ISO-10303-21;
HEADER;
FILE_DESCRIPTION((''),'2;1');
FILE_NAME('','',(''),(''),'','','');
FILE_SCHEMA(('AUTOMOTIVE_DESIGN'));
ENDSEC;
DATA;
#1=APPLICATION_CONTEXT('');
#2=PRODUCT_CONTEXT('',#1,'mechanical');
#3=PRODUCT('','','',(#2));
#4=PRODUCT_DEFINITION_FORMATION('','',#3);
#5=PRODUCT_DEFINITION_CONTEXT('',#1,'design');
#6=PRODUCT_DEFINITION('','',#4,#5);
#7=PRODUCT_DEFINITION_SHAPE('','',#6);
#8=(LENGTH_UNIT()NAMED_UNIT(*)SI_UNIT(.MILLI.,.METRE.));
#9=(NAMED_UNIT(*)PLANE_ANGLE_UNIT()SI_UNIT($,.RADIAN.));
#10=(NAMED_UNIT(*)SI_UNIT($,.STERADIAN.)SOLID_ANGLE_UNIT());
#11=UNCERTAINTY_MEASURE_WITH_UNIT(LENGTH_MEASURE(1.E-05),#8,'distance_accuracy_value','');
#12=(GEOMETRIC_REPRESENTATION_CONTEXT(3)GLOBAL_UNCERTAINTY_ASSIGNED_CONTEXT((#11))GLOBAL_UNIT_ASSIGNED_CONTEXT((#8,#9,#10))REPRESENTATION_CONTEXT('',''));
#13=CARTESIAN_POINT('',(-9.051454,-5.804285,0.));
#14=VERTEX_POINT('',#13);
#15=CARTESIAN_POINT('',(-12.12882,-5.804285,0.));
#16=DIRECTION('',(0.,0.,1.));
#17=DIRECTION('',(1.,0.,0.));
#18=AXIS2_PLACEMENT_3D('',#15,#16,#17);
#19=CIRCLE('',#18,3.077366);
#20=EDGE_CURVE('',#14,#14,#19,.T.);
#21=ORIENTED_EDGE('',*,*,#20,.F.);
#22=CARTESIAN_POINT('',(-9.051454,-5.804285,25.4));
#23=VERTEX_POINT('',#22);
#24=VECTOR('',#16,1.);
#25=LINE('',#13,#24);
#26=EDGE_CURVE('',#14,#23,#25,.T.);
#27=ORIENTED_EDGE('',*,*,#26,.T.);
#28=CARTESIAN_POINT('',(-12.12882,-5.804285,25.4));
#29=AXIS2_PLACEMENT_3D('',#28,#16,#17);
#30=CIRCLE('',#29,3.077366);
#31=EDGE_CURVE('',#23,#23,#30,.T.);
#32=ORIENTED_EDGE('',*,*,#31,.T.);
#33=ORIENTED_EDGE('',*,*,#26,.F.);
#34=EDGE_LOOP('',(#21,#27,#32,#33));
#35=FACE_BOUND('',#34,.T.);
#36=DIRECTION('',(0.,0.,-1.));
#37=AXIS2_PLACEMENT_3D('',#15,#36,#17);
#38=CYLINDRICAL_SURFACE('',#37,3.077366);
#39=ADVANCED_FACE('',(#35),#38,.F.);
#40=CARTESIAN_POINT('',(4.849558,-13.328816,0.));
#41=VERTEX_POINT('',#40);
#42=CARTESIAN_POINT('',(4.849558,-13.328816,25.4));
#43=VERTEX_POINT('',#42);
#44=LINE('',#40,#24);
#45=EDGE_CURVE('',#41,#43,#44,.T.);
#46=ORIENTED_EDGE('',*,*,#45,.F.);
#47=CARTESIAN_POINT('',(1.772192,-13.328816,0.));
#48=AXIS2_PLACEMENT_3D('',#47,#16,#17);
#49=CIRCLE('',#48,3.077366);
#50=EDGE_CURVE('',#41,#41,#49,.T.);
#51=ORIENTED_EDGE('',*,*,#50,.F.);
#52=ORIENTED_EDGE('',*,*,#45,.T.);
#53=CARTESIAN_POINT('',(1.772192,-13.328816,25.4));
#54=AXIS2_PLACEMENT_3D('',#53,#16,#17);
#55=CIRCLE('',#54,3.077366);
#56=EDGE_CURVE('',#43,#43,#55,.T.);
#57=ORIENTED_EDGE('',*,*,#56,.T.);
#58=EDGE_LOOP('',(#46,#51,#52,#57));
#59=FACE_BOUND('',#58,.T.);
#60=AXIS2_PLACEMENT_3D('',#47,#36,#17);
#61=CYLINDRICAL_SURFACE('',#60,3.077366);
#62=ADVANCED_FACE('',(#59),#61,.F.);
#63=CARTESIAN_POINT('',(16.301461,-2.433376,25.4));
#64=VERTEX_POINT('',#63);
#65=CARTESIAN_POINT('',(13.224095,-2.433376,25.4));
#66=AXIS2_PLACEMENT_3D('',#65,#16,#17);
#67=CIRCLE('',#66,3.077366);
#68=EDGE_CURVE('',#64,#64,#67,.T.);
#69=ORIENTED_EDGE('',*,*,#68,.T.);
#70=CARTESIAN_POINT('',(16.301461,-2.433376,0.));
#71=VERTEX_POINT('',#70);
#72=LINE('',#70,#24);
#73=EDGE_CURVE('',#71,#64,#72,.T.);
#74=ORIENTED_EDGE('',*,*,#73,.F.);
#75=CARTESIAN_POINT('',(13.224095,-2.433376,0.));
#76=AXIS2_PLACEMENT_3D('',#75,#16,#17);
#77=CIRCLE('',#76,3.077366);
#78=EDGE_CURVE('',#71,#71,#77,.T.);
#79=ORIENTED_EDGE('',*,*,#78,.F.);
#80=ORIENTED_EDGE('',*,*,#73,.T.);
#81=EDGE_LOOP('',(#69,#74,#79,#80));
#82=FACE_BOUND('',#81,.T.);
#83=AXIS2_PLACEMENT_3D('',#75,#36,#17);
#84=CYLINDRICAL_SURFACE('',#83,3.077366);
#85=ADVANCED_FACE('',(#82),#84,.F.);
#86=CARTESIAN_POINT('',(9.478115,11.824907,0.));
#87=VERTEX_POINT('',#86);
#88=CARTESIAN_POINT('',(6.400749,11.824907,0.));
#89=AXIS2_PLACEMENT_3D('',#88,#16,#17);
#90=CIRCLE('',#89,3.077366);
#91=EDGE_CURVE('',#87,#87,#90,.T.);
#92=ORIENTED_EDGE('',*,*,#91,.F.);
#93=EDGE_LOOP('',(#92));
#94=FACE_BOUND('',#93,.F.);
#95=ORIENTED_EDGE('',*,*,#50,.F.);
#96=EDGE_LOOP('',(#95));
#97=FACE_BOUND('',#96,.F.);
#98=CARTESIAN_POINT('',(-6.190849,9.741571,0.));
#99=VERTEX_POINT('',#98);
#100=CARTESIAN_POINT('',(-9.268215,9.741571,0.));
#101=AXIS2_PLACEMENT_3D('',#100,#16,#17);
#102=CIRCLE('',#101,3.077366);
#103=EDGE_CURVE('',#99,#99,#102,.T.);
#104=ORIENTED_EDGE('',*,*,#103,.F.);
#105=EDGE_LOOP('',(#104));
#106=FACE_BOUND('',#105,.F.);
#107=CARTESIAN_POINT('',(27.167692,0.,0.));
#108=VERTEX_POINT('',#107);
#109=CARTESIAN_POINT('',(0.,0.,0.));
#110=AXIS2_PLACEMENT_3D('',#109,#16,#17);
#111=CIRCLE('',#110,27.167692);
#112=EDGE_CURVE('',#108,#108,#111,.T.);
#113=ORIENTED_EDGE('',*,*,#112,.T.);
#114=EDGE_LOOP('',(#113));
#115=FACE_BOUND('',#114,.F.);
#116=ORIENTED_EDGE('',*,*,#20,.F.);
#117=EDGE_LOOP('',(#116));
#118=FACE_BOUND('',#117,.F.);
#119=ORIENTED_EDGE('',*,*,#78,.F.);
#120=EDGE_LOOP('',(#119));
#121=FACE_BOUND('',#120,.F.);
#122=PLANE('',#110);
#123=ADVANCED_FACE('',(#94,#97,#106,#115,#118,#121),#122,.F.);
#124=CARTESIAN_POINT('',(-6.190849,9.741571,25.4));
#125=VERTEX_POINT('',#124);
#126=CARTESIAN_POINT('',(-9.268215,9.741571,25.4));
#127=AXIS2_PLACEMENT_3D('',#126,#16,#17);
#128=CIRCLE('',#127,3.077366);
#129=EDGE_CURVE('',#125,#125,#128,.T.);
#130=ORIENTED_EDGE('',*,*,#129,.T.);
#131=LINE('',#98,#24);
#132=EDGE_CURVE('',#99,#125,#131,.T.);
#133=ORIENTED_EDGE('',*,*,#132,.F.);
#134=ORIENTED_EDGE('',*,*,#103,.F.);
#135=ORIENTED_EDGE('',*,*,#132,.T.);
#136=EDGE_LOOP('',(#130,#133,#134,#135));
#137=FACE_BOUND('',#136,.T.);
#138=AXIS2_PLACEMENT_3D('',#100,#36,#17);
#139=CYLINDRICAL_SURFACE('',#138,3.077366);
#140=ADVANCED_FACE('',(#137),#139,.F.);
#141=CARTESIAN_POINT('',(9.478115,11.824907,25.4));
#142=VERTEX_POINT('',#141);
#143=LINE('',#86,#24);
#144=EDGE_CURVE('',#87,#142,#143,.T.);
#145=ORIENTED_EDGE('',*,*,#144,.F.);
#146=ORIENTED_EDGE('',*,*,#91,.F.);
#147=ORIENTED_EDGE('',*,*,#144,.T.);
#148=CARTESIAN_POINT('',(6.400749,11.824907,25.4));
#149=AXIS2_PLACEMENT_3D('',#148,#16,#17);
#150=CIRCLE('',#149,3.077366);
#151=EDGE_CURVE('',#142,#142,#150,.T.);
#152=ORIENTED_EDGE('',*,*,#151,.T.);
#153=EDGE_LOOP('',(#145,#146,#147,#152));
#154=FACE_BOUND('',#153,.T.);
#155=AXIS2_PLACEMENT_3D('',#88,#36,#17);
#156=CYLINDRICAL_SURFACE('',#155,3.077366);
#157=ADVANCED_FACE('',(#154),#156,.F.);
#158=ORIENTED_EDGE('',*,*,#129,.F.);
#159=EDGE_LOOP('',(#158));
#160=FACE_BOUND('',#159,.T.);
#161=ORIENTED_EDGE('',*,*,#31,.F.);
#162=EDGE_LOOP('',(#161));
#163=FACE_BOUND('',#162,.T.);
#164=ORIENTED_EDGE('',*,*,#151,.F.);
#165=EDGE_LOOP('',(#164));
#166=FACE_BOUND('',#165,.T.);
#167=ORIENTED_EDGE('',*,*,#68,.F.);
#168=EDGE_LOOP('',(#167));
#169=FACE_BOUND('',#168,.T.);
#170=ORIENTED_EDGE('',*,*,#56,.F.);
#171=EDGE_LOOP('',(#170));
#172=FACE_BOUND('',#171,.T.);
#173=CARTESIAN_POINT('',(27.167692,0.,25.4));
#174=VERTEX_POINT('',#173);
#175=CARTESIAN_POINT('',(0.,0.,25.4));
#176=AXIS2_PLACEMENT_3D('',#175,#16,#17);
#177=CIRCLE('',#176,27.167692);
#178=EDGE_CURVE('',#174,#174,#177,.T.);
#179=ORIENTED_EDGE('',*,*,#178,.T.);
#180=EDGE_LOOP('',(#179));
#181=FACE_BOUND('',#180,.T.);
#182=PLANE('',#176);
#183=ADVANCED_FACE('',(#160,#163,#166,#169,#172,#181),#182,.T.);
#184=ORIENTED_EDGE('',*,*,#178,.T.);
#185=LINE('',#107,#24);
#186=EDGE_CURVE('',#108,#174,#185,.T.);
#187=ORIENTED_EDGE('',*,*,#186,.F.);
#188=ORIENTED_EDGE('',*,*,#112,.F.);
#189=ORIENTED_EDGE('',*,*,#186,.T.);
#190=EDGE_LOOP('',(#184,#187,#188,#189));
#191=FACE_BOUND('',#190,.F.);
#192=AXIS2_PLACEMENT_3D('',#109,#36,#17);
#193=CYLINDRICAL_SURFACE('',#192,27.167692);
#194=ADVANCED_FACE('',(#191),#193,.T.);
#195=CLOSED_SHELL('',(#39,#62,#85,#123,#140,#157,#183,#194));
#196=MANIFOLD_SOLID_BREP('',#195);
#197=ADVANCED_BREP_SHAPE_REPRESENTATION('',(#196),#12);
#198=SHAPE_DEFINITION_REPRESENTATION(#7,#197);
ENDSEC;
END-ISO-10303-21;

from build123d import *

# Parameters (mm, degrees)
F0_R     = 27.167692
F0_R_2   = 3.077366
F1_DEPTH = 25.4


with BuildPart() as f1:
    # F0 (on Top) → F1 (new body)
    with BuildSketch(Plane.XY):
        Circle(F0_R)
        with Locations((-12.12882, -5.804285)):
            Circle(F0_R_2, mode=Mode.SUBTRACT)
        with Locations((1.772192, -13.328816)):
            Circle(F0_R_2, mode=Mode.SUBTRACT)
        with Locations((13.224095, -2.433376)):
            Circle(F0_R_2, mode=Mode.SUBTRACT)
        with Locations((-9.268215, 9.741571)):
            Circle(F0_R_2, mode=Mode.SUBTRACT)
        with Locations((6.400749, 11.824907)):
            Circle(F0_R_2, mode=Mode.SUBTRACT)
    extrude(amount=F1_DEPTH)


solid = f1.part
